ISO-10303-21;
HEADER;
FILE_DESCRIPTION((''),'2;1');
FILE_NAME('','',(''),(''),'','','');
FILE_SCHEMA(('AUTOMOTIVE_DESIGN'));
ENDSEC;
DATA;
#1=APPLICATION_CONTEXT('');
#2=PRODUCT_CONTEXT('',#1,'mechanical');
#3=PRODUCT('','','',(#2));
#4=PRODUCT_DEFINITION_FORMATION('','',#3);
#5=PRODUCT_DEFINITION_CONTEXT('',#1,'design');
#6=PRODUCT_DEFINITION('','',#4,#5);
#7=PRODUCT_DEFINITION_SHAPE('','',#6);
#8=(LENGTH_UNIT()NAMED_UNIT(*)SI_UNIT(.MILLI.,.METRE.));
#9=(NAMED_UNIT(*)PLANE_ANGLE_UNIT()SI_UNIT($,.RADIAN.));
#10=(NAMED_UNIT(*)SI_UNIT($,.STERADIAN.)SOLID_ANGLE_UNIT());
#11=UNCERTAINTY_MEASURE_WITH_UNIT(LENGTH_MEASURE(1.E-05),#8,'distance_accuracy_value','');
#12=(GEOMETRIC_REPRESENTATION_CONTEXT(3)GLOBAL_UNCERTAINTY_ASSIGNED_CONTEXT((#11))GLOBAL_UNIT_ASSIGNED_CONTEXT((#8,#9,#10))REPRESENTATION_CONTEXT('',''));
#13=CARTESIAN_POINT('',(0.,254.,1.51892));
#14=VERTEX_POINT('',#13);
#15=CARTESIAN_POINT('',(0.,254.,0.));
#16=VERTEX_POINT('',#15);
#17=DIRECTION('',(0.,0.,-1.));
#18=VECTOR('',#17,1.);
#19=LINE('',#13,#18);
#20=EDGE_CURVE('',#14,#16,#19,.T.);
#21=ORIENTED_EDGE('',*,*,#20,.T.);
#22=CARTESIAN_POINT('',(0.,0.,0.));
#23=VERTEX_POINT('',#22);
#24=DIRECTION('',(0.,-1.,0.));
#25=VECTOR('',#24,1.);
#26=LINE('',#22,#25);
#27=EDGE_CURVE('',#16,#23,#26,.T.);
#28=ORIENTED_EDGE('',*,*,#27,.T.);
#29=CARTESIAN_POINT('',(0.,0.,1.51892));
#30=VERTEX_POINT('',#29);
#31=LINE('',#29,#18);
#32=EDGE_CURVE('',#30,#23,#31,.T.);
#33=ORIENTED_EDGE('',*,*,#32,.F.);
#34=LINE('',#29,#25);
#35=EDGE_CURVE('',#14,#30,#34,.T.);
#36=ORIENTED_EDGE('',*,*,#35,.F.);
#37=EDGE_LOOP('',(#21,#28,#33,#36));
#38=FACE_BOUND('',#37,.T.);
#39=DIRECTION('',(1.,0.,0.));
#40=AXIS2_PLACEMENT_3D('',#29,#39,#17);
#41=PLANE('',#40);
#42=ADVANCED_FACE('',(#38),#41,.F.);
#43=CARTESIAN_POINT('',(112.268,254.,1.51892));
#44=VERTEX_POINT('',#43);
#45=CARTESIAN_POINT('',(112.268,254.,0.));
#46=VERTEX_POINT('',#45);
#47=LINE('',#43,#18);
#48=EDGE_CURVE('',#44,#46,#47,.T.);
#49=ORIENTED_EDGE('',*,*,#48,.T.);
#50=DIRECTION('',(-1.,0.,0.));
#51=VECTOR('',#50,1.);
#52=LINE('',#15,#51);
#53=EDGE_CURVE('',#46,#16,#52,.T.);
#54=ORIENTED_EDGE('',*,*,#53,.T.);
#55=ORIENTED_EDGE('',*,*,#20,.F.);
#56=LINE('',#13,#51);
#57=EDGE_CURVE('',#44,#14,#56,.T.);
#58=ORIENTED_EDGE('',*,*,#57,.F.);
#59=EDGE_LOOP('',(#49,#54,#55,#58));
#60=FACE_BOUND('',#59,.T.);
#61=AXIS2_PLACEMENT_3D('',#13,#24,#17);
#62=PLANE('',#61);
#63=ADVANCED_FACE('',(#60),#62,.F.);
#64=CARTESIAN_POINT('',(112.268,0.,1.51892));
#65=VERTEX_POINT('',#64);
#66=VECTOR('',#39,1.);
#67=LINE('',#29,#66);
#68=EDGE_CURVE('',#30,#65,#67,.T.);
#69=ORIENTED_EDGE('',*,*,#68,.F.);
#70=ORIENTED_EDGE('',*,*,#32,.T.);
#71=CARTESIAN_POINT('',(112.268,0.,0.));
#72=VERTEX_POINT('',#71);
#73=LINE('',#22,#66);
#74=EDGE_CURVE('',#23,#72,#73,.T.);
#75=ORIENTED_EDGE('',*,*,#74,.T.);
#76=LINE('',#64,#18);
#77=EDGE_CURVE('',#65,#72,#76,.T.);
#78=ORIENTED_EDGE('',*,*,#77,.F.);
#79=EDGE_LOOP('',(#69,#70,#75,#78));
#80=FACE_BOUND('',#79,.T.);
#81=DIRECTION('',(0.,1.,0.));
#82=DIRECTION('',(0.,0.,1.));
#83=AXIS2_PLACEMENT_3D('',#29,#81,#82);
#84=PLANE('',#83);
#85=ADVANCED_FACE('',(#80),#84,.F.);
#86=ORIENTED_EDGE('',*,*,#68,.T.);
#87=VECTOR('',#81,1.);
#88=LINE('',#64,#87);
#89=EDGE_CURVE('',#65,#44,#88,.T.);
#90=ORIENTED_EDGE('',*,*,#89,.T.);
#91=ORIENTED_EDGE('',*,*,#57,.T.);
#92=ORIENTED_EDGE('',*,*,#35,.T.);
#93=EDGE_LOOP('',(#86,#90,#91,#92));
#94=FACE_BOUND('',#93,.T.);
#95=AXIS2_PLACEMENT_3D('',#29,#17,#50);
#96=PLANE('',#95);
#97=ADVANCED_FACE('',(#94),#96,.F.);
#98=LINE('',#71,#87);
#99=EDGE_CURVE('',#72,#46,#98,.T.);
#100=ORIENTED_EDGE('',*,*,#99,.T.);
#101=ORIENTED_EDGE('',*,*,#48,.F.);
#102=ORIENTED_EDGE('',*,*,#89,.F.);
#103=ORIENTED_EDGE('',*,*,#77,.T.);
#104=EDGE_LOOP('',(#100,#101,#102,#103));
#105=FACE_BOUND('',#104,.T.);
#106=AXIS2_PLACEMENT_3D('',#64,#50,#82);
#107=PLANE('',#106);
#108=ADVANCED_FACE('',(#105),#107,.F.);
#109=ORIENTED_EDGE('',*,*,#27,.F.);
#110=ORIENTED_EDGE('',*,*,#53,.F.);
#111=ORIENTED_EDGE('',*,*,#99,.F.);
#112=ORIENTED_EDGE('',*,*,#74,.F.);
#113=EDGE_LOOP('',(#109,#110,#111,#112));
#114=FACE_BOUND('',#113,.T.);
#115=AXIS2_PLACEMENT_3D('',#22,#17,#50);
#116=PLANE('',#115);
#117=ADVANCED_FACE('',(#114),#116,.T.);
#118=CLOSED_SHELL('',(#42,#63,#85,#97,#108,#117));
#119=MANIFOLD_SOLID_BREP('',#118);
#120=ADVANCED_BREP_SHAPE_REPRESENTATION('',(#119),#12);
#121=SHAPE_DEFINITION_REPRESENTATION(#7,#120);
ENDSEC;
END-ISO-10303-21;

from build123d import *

# Parameters (mm, degrees)
SKETCH1_W                 = 112.268
SKETCH1_H                 = 254
BOTTOM_OUTER_CASING_DEPTH = 1.51892


with BuildPart() as part:
    # Sketch1 → Bottom Outer Casing (new body)
    with BuildSketch(Plane.XY):
        with Locations((56.134, 127)):
            Rectangle(SKETCH1_W, SKETCH1_H)
    extrude(amount=BOTTOM_OUTER_CASING_DEPTH)


solid = part.part
